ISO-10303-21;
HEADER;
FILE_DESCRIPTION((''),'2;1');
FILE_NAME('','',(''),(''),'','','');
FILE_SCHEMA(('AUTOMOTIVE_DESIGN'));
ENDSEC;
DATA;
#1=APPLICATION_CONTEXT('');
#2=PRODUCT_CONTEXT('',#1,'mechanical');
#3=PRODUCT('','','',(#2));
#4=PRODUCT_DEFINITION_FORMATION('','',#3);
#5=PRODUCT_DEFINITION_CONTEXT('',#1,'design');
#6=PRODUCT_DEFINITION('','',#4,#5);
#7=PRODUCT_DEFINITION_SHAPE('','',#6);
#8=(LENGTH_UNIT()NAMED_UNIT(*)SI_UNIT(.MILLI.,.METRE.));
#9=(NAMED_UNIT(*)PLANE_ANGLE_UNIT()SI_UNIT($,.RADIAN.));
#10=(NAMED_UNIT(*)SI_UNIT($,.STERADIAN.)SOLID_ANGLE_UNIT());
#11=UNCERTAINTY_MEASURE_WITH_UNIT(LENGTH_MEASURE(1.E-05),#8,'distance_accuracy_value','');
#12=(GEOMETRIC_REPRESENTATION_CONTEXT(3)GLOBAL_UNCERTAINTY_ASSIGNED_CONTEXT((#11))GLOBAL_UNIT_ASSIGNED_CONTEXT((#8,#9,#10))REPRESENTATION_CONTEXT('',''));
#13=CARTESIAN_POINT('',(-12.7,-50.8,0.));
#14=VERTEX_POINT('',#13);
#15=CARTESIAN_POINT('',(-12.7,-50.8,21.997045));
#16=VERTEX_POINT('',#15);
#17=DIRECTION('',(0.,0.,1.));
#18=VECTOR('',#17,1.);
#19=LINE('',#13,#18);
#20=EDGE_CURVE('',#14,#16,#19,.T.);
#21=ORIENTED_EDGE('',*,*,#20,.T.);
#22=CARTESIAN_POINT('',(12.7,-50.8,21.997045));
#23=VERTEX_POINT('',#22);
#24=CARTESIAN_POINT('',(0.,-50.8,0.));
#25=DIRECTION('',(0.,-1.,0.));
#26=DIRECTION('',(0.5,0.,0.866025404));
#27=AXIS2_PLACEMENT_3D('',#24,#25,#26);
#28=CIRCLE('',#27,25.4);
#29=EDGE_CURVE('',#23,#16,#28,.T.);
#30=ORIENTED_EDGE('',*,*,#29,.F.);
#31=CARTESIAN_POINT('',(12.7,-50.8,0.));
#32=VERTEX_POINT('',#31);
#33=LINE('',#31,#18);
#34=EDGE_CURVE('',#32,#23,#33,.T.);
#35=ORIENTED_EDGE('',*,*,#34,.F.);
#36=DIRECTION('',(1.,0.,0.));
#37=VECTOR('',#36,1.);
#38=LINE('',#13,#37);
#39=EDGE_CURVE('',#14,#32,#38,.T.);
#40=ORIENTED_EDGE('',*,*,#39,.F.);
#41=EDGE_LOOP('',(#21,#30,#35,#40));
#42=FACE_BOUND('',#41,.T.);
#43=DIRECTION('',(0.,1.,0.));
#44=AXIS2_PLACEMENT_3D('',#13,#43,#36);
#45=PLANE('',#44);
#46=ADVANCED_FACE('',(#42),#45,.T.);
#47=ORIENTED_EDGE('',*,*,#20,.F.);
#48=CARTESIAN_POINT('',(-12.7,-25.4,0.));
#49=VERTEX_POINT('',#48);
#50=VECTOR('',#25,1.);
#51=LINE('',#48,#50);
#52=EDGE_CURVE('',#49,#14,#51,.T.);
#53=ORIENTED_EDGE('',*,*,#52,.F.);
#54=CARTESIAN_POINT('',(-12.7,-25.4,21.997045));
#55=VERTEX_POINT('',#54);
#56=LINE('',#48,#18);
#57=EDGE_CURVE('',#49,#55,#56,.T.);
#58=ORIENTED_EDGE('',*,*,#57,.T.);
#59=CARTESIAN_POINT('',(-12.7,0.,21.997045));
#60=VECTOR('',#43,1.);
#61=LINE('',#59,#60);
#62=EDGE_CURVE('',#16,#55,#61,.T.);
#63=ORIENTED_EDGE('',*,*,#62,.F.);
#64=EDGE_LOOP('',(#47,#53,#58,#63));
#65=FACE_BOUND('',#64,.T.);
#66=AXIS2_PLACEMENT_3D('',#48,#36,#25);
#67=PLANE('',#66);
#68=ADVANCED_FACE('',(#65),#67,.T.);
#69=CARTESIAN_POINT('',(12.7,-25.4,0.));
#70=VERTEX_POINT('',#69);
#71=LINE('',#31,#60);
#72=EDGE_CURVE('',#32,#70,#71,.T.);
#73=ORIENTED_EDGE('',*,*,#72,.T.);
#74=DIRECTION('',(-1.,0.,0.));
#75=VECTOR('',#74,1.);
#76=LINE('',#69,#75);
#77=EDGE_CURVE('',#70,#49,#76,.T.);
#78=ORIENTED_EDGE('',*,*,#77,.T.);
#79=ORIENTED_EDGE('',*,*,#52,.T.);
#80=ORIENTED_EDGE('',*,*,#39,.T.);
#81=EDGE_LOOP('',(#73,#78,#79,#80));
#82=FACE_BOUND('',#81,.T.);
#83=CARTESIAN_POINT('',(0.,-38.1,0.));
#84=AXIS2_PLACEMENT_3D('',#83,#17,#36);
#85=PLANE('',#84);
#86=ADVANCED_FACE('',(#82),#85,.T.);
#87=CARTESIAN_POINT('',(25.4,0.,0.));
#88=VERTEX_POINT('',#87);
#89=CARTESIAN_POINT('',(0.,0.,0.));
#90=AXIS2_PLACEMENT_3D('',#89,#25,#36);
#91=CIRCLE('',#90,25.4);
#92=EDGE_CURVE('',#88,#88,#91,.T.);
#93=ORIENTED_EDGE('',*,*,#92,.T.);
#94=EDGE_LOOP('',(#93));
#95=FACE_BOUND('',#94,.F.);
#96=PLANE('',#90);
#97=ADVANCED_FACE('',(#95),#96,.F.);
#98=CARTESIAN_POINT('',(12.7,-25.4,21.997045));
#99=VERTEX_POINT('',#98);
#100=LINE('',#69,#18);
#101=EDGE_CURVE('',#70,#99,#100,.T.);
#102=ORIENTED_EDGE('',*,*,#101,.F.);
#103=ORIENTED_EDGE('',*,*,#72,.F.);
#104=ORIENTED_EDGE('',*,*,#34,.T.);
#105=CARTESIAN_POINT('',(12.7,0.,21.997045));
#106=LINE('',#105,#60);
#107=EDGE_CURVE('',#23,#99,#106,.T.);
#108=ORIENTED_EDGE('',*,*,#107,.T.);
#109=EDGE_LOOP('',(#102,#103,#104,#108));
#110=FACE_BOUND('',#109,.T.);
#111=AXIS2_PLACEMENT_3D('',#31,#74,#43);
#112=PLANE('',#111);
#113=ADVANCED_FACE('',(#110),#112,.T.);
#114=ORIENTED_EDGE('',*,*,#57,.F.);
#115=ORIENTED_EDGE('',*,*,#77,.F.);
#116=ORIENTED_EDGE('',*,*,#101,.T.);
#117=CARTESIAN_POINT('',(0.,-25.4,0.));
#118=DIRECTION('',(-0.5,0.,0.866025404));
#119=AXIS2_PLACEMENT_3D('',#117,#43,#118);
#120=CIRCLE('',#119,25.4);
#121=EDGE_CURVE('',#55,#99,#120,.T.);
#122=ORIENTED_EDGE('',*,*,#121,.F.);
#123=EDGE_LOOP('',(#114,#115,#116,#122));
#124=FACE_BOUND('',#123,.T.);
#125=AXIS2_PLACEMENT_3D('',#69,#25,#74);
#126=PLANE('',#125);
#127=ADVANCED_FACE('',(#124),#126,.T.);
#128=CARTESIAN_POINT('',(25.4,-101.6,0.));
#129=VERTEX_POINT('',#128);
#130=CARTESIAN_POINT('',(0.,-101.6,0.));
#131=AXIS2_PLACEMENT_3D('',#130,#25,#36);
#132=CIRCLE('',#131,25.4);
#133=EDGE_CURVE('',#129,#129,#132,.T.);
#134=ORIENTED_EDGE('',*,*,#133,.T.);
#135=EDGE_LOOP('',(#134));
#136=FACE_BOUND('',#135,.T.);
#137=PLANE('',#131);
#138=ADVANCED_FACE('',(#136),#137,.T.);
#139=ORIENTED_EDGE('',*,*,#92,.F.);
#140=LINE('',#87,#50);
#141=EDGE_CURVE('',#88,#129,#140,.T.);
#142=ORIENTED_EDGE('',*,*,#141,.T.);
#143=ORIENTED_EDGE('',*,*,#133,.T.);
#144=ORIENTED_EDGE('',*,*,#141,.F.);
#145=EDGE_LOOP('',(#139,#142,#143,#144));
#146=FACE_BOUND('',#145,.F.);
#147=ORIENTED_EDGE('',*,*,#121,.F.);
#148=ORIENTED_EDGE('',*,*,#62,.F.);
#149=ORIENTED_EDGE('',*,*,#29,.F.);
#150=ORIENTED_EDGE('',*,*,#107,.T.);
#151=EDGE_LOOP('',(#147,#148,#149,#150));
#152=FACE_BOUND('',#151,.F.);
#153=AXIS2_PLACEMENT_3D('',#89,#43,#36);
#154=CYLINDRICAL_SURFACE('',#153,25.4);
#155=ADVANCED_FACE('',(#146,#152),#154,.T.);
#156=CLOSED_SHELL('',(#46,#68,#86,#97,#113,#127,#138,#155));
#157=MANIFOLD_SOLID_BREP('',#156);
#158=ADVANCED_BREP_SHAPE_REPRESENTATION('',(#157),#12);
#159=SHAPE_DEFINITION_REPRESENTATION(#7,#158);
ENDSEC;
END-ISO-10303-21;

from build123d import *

# Parameters (mm, degrees)
F0_R     = 25.4
F1_DEPTH = 101.6
F3_DEPTH = 25.4


with BuildPart() as f1:
    # F0 (on Front) → F1 (new body)
    with BuildSketch(Plane.XZ):
        Circle(F0_R)
    extrude(amount=F1_DEPTH)

    # F2 (on Top) → F3 (cut)
    with BuildSketch(Plane.XY):
        Polygon((-12.7, -50.8), (12.7, -50.8), (12.7, -25.4), (0, -25.4), (-12.7, -25.4), align=None)
    extrude(amount=F3_DEPTH, mode=Mode.SUBTRACT)


solid = f1.part
